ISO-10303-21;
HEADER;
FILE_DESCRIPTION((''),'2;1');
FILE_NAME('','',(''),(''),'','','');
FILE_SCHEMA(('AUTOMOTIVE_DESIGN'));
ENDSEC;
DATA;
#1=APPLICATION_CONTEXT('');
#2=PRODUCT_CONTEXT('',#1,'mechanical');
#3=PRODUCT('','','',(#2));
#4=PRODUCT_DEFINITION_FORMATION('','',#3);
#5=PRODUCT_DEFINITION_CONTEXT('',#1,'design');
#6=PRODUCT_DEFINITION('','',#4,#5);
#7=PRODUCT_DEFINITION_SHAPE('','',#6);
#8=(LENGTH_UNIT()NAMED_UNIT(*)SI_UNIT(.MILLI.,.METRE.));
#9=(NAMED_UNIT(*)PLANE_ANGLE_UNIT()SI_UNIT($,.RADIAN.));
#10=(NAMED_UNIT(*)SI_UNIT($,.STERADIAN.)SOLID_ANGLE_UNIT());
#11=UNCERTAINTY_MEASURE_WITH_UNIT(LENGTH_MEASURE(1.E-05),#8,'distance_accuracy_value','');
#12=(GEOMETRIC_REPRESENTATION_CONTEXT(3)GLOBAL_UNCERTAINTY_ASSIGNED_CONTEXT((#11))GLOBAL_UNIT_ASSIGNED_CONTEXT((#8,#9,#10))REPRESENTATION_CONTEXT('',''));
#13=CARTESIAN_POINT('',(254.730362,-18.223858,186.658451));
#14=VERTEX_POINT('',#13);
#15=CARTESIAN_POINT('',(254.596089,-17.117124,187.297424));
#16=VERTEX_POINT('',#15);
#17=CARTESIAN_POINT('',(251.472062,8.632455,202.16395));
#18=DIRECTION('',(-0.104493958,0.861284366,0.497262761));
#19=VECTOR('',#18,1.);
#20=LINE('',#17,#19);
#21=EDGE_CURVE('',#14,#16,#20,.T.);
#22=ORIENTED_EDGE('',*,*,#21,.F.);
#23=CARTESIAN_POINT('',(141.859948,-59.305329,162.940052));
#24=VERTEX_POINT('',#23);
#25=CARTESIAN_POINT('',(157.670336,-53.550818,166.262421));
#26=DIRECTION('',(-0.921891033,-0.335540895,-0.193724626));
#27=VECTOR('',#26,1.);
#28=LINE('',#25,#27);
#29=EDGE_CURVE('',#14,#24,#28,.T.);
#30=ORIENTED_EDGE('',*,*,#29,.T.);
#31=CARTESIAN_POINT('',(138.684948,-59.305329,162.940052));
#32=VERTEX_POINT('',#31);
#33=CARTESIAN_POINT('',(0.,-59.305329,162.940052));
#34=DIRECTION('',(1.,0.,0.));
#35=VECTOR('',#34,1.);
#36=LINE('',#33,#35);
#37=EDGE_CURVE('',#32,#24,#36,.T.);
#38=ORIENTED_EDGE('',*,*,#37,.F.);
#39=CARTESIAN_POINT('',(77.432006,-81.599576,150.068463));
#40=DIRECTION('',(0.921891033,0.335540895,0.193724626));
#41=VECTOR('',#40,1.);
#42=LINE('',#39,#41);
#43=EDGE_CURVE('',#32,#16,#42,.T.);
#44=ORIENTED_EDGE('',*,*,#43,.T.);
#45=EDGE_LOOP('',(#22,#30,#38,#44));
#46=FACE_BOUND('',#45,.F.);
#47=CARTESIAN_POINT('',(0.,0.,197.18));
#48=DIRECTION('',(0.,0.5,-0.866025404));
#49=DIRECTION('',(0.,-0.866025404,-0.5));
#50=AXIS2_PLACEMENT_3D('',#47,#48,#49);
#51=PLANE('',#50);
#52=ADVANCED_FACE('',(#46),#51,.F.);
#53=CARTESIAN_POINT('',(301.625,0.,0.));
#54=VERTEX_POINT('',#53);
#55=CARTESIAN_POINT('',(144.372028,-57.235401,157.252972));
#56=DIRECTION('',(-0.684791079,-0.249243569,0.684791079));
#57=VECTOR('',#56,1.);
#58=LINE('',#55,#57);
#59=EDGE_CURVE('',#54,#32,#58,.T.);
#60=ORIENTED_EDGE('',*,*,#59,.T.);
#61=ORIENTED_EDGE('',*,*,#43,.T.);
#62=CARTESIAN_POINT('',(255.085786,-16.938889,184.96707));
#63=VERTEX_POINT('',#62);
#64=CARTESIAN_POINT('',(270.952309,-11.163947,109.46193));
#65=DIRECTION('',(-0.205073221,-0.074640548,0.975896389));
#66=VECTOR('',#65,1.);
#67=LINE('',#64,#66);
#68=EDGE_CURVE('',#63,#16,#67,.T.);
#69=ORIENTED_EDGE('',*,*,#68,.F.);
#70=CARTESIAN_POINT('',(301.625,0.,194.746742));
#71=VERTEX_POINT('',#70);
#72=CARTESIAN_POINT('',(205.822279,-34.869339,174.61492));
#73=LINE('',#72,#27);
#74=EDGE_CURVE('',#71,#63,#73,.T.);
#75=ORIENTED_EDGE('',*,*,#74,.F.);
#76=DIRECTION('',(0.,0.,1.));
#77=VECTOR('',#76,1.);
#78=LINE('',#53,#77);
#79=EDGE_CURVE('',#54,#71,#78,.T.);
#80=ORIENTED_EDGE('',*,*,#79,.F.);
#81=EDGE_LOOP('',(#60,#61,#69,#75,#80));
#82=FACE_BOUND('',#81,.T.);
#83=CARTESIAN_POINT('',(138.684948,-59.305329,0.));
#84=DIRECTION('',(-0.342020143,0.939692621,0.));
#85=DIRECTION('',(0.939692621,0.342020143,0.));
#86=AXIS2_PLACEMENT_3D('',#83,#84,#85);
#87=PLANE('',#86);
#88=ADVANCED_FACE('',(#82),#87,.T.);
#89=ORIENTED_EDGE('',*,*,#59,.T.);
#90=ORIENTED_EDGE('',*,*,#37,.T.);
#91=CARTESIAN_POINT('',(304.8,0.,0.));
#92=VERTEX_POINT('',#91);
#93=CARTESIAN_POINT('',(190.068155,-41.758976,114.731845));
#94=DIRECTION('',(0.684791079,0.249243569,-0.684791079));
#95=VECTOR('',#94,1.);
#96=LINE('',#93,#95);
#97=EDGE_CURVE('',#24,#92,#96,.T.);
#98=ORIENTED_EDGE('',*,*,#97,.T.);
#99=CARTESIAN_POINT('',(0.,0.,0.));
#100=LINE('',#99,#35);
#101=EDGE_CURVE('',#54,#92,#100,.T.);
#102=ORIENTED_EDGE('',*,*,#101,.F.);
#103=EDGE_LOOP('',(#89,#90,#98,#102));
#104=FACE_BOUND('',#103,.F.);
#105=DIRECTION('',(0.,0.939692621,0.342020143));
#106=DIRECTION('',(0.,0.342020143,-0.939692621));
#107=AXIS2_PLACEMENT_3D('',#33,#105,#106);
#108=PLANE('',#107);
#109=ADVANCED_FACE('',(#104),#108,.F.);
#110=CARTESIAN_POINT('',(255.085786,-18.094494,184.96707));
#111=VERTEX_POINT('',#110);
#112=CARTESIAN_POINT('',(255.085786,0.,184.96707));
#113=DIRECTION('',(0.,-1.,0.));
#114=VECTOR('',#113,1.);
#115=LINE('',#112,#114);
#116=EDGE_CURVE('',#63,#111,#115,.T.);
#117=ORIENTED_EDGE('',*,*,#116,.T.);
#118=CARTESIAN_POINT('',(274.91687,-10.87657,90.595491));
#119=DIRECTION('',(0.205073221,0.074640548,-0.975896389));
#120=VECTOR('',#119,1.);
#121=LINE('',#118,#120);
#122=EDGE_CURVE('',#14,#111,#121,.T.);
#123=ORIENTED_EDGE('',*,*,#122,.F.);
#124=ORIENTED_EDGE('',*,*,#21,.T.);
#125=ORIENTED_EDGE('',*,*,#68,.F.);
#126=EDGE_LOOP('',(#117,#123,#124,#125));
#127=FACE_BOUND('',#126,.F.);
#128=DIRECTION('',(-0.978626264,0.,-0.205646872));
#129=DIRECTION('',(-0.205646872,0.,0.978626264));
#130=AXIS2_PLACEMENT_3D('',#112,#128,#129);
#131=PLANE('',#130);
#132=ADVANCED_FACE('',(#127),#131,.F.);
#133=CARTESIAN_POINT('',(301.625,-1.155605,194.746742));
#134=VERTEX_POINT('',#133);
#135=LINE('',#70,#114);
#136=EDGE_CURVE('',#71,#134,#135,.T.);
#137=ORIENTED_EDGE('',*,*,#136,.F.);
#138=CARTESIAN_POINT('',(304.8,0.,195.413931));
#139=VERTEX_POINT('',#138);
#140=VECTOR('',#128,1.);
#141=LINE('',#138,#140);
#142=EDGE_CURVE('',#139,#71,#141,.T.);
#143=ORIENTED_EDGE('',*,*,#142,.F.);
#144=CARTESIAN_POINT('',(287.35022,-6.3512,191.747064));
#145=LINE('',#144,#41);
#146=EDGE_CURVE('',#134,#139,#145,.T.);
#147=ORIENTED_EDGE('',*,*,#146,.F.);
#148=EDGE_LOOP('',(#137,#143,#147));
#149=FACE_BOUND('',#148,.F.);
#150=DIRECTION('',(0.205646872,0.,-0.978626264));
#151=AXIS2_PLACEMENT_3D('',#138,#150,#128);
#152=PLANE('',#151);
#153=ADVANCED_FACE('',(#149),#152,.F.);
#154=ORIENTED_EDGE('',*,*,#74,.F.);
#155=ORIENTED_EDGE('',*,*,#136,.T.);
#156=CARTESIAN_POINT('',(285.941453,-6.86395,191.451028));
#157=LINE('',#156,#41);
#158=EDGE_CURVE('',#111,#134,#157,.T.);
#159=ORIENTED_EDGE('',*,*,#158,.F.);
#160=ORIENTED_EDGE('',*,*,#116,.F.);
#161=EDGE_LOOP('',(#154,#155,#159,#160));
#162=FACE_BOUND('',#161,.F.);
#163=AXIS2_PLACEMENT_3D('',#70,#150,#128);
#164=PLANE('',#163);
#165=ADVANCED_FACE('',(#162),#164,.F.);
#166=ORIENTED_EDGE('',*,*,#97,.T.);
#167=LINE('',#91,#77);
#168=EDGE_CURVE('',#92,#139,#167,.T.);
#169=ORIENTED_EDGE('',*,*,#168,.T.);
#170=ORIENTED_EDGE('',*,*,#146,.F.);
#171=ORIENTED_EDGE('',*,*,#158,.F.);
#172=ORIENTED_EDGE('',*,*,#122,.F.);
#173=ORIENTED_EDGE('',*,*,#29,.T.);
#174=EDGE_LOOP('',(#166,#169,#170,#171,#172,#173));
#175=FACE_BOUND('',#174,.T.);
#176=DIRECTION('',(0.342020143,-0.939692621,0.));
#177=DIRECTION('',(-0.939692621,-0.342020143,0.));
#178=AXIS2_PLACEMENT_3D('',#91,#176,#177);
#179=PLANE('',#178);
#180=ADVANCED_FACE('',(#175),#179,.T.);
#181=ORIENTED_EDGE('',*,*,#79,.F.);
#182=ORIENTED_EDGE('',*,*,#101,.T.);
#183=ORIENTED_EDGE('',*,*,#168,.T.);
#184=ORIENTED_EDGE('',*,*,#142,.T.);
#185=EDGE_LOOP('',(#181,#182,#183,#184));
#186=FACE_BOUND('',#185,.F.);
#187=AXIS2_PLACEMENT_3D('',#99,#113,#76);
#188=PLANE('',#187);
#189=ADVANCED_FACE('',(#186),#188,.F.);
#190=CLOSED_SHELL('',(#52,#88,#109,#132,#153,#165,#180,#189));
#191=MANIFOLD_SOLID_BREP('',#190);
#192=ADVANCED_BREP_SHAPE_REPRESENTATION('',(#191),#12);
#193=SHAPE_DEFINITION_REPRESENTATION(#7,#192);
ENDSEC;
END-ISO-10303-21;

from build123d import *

# Parameters (mm, degrees)
BOSS_EXTRUDE1_DEPTH     = 304.8
CUT_EXTRUDE1_DEPTH      = 198.18
CUT_EXTRUDE1_DEPTH_BACK = 1
CUT_EXTRUDE2_DEPTH      = 60.305329017


with BuildPart() as part:
    # Sketch1 → Boss-Extrude1 (new body)
    with BuildSketch(Plane(origin=(0, 0, 0), x_dir=(0, 0, -1), z_dir=(1, 0, 0))):
        Polygon((0, 0), (-197.18, 0), (-162.940052328, -59.305329017), align=None)
    extrude(amount=BOSS_EXTRUDE1_DEPTH)

    # Sketch2 → Cut-Extrude1 (cut, two sides)
    with BuildSketch(Plane.XY) as cut_extrude1_sk:
        Polygon((138.684947672, -59.305329017), (301.625, 0), (0, 0), (0, -59.305329017), align=None)
        Polygon((304.8, 0), (141.859947672, -59.305329017), (304.8, -59.305329017), align=None)
    extrude(amount=CUT_EXTRUDE1_DEPTH, mode=Mode.SUBTRACT)
    extrude(cut_extrude1_sk.sketch, amount=-CUT_EXTRUDE1_DEPTH_BACK, mode=Mode.SUBTRACT)

    # Sketch3 → Cut-Extrude2 (cut, through all)
    with BuildSketch(Plane(origin=(0, 0, 0), x_dir=(1, 0, 0), z_dir=(0, 1, 0))):
        Polygon((254.596089188, -187.297424032), (301.625, -197.18), (301.625, -194.746742189), (255.085785802, -184.967070242), align=None)
        Polygon((301.625, -194.746742189), (301.625, -197.18), (304.8, -197.18), (304.8, -195.413931332), align=None)
    extrude(amount=-CUT_EXTRUDE2_DEPTH, mode=Mode.SUBTRACT)


solid = part.part
